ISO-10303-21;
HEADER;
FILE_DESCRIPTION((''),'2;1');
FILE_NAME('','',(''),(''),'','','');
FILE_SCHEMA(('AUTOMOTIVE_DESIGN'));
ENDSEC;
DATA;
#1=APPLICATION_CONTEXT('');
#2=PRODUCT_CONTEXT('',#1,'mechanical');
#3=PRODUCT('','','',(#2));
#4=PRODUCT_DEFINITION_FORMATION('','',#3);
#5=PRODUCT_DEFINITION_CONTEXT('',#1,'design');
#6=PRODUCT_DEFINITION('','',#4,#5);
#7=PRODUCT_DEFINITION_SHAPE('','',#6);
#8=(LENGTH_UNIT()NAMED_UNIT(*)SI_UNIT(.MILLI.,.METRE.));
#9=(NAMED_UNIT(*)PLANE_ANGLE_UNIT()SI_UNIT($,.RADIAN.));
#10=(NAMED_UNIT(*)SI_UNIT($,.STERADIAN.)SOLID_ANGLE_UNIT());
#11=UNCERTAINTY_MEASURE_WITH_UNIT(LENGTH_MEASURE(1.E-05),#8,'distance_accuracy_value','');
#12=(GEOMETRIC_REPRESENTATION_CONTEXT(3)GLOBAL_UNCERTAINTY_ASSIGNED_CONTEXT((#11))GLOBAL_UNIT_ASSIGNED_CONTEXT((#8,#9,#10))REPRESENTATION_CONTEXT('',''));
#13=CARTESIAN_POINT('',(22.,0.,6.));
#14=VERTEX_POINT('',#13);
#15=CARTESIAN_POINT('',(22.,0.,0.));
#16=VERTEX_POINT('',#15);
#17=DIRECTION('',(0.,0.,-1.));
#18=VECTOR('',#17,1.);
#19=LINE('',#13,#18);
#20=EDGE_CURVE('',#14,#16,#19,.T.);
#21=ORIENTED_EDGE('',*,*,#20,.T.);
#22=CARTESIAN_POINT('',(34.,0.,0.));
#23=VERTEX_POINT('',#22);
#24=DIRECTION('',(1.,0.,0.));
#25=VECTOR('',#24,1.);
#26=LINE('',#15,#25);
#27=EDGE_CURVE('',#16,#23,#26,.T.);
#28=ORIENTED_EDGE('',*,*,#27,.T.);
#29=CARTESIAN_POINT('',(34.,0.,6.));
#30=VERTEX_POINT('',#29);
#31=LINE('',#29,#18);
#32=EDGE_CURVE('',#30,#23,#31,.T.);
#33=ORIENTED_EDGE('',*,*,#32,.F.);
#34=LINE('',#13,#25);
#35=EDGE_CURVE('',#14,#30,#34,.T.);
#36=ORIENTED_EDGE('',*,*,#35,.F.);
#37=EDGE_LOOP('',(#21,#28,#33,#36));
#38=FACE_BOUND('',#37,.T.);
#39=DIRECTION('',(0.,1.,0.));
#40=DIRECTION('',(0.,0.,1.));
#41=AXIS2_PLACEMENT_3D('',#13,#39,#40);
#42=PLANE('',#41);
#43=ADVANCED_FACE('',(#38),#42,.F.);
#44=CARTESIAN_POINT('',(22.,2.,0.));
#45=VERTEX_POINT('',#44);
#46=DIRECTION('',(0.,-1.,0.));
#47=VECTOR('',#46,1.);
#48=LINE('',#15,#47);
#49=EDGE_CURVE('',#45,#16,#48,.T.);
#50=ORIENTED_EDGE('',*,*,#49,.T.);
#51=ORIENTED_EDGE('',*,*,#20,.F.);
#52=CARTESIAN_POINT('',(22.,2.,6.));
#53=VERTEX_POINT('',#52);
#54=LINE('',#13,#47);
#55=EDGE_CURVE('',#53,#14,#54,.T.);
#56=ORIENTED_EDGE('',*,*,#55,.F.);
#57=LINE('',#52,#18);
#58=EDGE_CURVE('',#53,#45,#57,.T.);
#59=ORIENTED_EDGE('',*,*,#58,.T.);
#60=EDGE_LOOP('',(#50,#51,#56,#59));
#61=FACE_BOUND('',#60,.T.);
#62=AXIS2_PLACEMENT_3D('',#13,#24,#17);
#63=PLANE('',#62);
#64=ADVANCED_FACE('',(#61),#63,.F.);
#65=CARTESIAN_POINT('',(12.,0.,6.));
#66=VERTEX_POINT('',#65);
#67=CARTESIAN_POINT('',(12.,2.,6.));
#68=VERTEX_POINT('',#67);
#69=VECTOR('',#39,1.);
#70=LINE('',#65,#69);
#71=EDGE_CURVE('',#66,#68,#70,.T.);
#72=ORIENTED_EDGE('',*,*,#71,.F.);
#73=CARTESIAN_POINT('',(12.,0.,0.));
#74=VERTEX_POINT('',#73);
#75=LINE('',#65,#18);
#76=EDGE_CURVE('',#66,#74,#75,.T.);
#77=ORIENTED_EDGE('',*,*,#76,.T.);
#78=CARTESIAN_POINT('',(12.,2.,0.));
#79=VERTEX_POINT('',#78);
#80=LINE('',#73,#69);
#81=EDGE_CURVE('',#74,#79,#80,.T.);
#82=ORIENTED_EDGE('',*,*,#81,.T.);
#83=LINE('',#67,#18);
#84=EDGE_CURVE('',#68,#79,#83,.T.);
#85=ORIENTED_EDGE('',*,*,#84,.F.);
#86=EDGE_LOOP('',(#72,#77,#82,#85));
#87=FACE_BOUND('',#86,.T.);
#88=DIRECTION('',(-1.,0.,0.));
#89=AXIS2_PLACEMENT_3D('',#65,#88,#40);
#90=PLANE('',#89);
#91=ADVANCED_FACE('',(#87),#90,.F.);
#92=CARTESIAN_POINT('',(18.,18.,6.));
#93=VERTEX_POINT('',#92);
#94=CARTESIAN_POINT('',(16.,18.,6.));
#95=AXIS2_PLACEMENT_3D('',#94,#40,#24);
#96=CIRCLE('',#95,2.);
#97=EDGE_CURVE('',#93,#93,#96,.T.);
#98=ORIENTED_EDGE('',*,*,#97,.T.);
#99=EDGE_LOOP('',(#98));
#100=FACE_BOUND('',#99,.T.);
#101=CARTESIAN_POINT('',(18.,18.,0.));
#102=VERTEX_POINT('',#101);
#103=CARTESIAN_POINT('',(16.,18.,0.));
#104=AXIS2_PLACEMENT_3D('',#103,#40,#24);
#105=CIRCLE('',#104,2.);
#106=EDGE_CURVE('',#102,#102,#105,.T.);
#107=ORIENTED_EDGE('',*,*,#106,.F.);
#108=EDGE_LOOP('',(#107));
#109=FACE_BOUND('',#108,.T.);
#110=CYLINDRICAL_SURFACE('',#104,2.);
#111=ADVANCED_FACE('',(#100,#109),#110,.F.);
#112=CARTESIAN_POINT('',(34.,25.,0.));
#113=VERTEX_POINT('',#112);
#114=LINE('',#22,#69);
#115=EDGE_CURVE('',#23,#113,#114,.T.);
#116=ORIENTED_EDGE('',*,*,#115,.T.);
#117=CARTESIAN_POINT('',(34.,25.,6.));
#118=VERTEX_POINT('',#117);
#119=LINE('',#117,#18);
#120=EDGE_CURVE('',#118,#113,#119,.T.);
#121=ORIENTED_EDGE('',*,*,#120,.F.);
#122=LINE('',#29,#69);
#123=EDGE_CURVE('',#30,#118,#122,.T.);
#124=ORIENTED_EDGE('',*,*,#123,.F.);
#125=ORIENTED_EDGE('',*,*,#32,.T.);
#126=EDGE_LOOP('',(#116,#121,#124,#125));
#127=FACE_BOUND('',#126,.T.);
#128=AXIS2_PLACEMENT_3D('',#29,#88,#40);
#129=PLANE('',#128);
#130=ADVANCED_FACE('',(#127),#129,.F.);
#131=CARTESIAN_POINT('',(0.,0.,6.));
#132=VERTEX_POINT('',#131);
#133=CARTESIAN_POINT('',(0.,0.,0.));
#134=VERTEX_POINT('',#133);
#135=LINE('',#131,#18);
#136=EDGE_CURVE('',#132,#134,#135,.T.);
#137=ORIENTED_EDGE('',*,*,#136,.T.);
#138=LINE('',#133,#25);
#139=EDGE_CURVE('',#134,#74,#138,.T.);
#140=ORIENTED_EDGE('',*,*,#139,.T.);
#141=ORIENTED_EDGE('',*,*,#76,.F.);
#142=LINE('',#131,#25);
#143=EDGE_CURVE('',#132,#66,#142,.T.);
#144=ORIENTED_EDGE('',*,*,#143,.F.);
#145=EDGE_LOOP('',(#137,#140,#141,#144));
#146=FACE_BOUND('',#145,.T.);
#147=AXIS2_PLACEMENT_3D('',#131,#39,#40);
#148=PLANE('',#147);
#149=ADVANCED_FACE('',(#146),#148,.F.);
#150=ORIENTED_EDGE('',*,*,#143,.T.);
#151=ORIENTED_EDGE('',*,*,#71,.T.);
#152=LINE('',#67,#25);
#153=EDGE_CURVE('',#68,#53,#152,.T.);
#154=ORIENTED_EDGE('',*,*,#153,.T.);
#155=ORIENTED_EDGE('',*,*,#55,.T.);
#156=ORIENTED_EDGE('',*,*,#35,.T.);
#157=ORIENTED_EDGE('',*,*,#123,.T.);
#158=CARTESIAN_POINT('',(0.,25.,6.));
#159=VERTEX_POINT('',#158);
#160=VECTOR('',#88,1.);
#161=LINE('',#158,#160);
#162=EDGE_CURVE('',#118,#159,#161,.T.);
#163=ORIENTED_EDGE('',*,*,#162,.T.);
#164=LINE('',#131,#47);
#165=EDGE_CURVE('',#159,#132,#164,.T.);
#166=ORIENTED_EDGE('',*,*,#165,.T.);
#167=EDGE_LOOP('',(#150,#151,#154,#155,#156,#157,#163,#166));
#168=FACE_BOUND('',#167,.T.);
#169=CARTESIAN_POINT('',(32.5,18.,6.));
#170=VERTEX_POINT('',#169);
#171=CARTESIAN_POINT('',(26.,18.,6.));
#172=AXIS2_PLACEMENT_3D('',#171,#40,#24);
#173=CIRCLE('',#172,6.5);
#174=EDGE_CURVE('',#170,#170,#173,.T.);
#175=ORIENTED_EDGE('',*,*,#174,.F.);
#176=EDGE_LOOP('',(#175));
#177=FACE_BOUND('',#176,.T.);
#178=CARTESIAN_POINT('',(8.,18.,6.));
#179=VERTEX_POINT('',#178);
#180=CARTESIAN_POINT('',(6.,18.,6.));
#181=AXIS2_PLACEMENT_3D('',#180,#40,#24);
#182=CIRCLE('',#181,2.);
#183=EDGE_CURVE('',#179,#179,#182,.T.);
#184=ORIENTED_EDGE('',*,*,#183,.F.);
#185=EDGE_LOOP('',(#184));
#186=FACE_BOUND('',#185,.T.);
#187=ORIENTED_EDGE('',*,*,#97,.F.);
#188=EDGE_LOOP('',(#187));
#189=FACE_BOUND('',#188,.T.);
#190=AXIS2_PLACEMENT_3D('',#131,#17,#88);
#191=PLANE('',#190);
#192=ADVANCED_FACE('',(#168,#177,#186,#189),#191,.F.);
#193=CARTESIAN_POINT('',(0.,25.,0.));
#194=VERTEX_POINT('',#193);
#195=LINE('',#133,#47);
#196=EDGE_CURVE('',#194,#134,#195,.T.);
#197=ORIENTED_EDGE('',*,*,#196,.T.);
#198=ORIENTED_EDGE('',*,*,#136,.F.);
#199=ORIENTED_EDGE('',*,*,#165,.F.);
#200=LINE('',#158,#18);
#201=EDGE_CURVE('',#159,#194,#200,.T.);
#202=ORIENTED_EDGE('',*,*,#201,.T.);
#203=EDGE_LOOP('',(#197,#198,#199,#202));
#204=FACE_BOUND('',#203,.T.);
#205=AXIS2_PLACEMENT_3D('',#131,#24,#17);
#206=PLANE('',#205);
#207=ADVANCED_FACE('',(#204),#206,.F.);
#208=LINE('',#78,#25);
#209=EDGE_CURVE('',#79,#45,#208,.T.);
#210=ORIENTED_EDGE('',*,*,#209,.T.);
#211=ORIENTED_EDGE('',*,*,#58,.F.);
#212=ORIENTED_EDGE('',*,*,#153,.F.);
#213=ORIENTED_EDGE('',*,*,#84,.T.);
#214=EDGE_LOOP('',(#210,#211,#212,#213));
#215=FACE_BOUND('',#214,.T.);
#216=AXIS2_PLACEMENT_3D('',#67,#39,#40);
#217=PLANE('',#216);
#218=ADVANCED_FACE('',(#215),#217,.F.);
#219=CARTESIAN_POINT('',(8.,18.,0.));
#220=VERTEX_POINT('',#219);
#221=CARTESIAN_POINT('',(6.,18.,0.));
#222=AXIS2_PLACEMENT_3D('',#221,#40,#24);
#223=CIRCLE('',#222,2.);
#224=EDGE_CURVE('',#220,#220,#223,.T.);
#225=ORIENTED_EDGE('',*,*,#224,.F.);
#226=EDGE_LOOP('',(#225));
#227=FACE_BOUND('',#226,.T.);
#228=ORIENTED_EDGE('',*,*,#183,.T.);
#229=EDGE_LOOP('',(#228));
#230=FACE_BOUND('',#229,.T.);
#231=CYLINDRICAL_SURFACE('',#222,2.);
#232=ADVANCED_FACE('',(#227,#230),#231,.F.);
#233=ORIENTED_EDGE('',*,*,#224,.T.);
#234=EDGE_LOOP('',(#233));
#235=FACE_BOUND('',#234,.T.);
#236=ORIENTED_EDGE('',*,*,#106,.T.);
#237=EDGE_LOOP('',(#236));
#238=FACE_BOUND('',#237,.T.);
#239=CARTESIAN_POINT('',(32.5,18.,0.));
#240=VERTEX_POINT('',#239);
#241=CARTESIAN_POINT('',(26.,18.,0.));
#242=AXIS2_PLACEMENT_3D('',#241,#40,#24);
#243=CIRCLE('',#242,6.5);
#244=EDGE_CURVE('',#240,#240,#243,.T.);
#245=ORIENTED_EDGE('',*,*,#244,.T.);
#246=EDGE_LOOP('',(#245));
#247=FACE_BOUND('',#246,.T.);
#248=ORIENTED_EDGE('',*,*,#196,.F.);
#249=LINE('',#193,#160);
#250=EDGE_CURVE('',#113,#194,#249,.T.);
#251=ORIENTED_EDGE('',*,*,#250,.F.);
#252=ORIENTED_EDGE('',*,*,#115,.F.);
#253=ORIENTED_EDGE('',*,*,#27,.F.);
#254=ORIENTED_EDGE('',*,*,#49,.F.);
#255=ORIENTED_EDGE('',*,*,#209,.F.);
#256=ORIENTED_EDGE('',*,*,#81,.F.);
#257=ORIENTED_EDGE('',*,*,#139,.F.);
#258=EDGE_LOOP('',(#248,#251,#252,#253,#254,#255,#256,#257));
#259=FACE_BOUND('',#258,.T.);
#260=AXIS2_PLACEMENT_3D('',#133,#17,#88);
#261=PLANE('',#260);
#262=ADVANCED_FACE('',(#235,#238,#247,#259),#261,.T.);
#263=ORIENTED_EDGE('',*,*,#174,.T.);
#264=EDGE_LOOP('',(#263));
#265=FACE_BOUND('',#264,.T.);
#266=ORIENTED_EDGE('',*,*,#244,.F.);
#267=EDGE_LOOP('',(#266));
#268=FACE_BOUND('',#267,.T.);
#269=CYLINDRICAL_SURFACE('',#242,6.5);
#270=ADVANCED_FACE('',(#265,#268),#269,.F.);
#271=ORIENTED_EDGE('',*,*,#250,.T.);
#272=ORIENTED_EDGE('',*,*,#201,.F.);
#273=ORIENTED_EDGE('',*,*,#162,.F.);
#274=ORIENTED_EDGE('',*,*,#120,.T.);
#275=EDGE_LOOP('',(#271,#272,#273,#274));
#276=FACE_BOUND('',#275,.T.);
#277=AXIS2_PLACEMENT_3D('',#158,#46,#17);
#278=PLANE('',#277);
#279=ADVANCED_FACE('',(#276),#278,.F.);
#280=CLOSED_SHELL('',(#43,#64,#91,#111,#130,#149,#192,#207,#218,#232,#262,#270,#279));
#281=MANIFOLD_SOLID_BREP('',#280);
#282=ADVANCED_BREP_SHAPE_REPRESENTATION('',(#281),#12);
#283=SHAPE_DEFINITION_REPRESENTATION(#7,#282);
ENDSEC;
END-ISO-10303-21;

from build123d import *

# Parameters (mm, degrees)
BOSS_EXTRU_1_DEPTH      = 6
ESQUISSE2_R             = 2
ESQUISSE2_R_2           = 6.5
ENL_V_MAT_EXTRU_1_DEPTH = 43.626282972


with BuildPart() as part:
    # Esquisse1 → Boss.-Extru.1 (new body)
    with BuildSketch(Plane.XY):
        Polygon((22, 0), (34, 0), (34, 25), (0, 25), (0, 0), (12, 0), (12, 2), (22, 2), align=None)
    extrude(amount=BOSS_EXTRU_1_DEPTH)

    # Esquisse2 → Enlèv. mat.-Extru.1 (cut, through all)
    with BuildSketch(Plane.XY.offset(6)):
        with Locations((16, 18)):
            Circle(ESQUISSE2_R)
        with Locations((26, 18)):
            Circle(ESQUISSE2_R_2)
        with Locations((6, 18)):
            Circle(ESQUISSE2_R)
    extrude(amount=-ENL_V_MAT_EXTRU_1_DEPTH, mode=Mode.SUBTRACT)


solid = part.part
